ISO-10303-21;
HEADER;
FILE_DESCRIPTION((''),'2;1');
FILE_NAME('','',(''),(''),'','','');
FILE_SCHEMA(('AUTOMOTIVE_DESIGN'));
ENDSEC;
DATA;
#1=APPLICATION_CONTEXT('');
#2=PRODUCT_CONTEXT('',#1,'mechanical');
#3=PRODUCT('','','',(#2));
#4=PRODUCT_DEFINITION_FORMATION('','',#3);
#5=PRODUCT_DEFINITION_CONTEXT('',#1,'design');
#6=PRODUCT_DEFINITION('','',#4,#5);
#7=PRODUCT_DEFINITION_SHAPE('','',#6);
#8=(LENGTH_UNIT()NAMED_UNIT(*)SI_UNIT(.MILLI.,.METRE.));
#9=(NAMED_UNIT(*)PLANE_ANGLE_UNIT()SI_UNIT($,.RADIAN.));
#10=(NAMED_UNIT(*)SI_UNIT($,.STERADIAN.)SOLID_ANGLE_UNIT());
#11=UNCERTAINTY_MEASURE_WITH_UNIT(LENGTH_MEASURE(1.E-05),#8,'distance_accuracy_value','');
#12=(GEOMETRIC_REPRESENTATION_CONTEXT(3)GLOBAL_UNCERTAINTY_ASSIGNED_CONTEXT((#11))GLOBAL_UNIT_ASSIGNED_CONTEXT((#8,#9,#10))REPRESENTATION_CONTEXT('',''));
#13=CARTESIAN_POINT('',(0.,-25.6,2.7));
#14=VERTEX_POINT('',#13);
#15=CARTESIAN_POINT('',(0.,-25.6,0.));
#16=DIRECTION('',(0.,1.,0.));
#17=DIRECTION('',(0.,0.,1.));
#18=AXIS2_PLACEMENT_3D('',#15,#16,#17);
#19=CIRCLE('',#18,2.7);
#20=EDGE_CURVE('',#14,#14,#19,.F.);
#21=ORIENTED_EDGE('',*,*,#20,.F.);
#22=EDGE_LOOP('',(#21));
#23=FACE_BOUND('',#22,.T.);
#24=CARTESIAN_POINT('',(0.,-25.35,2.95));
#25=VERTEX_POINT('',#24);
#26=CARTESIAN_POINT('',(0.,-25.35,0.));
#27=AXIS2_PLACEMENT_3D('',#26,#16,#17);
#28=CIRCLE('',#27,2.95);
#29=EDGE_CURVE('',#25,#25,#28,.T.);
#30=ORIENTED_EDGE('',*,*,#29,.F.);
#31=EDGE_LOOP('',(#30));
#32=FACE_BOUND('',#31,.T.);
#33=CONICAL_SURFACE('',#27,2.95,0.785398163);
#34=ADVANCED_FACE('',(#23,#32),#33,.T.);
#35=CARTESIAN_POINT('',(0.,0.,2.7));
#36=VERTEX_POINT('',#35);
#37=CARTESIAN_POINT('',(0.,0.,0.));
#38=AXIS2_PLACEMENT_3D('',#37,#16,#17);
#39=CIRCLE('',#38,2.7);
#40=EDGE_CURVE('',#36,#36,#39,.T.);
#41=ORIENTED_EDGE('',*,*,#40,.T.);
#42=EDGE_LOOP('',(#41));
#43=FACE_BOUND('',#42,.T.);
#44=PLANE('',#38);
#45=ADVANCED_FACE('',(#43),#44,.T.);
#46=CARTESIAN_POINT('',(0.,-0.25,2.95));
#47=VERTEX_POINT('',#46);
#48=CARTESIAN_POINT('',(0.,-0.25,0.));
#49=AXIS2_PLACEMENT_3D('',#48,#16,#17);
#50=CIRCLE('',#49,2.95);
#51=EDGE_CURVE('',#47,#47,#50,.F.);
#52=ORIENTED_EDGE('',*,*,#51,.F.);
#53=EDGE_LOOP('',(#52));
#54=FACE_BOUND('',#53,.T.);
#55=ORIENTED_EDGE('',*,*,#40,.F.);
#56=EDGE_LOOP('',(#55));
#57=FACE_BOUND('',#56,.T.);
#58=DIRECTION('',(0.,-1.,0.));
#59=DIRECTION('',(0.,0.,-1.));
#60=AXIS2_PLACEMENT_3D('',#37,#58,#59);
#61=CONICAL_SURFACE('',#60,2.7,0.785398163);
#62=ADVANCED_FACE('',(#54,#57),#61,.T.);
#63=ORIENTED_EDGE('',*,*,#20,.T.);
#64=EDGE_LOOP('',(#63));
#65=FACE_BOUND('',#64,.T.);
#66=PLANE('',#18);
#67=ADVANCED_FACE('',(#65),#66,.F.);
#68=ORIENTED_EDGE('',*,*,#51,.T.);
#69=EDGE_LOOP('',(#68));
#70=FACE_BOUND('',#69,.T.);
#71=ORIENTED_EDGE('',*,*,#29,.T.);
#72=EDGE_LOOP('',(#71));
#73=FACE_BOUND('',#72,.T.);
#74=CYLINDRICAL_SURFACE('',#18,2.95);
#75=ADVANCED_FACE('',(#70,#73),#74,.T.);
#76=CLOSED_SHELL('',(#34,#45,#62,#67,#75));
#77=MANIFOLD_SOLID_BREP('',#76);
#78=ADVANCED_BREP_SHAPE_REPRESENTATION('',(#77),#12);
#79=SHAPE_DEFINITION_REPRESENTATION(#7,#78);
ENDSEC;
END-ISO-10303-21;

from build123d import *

# Parameters (mm, degrees)
SKETCH1_R           = 2.95
BOSS_EXTRUDE1_DEPTH = 25.6
CHAMFER3_SIZE       = 0.25
CHAMFER4_SIZE       = 0.25


with BuildPart() as part:
    # Sketch1 → Boss-Extrude1 (new body)
    with BuildSketch(Plane(origin=(0, 0, 0), x_dir=(1, 0, 0), z_dir=(0, 1, 0))):
        Circle(SKETCH1_R)
    extrude(amount=-BOSS_EXTRUDE1_DEPTH)

    # Chamfer3
    chamfer3_edges = [part.edges().sort_by_distance(p)[0] for p in [
        (-2.95, -25.6, 0),
    ]]
    chamfer(chamfer3_edges, length=CHAMFER3_SIZE)

    # Chamfer4
    chamfer4_edges = [part.edges().sort_by_distance(p)[0] for p in [
        (-2.95, 0, 0),
    ]]
    chamfer(chamfer4_edges, length=CHAMFER4_SIZE)


solid = part.part
